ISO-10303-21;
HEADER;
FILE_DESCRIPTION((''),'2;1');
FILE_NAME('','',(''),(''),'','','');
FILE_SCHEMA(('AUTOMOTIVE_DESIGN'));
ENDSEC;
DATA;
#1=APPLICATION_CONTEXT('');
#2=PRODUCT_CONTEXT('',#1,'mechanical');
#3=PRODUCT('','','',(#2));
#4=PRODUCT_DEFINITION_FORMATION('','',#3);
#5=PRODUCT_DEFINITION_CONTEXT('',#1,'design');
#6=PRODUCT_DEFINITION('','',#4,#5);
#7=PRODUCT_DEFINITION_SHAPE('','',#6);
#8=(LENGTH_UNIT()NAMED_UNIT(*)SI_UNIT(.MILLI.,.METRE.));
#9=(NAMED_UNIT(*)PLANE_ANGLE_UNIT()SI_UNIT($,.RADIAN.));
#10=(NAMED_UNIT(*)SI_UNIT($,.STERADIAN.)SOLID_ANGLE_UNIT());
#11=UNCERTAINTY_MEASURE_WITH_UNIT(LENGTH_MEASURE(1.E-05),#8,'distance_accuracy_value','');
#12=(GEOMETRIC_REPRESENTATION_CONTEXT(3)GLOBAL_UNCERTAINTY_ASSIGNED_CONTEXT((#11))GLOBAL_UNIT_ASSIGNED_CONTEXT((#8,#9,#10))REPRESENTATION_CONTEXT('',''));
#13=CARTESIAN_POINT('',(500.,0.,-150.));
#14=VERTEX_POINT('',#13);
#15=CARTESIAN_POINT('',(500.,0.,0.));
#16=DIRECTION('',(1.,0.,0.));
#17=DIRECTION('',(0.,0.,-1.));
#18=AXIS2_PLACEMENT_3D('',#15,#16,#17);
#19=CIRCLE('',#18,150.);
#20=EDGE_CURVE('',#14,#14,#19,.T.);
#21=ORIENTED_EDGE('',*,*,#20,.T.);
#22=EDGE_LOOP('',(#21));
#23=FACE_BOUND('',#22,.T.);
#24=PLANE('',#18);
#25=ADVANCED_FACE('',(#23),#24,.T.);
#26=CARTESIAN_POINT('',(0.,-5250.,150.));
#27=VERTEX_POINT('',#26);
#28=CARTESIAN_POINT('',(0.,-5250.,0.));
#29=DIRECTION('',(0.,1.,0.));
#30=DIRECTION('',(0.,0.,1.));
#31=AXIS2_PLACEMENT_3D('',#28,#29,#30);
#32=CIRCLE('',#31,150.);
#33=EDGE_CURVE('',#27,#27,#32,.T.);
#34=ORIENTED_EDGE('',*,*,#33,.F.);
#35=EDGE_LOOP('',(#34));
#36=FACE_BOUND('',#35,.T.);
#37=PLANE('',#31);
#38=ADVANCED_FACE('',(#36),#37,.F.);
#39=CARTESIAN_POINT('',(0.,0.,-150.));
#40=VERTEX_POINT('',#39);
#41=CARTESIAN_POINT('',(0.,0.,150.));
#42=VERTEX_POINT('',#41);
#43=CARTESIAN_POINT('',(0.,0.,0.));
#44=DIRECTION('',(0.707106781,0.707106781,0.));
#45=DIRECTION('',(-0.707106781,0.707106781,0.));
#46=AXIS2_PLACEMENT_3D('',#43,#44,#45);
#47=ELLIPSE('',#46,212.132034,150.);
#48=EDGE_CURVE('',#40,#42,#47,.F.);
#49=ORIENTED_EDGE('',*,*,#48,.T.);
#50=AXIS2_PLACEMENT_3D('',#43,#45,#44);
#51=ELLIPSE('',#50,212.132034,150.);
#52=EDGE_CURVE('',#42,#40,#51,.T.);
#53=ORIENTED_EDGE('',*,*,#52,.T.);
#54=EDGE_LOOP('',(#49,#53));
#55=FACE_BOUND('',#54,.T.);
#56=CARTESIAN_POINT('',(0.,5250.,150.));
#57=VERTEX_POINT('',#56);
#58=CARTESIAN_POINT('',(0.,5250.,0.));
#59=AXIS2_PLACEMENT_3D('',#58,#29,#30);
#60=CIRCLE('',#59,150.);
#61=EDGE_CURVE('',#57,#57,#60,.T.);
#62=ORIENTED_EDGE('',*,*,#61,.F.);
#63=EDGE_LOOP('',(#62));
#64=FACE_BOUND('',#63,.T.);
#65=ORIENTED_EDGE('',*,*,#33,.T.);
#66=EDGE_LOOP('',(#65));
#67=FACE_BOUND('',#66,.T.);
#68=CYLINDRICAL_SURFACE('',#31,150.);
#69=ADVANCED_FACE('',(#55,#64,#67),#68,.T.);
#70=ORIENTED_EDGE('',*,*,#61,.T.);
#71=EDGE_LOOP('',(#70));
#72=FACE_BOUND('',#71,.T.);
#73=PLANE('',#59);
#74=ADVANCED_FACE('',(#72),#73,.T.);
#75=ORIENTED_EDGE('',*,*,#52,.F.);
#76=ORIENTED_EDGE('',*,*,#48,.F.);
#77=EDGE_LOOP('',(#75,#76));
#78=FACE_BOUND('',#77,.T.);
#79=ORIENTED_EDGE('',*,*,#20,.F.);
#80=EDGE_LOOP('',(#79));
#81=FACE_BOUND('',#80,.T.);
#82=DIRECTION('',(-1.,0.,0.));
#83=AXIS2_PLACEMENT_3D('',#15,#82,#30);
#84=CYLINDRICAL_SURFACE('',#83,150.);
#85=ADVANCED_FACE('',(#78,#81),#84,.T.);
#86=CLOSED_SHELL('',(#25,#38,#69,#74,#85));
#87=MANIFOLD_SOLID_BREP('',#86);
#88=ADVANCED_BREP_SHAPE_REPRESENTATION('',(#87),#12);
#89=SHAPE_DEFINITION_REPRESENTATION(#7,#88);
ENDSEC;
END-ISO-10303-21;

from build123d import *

# Parameters (mm, degrees)
BOSS_EXTRUDE1_DEPTH      = 5250
BOSS_EXTRUDE1_DEPTH_BACK = 5250
SKETCH8_R                = 149.999999974
SKETCH9_R                = 149.999999974
BOSS_EXTRUDE2_DEPTH      = 499.999999998


with BuildPart() as part:
    # Sketch8 → Boss-Extrude1 (new, two sides: drawn at the far end of the back side and taken through both)
    with BuildSketch(Plane(origin=(0, 0, 0), x_dir=(1, 0, 0), z_dir=(0, 1, 0)).offset(-BOSS_EXTRUDE1_DEPTH_BACK)):
        Circle(SKETCH8_R)
    extrude(amount=BOSS_EXTRUDE1_DEPTH + BOSS_EXTRUDE1_DEPTH_BACK)

    # Sketch9 → Boss-Extrude2 (add)
    with BuildSketch(Plane(origin=(0, 0, 0), x_dir=(0, 0, -1), z_dir=(1, 0, 0))):
        Circle(SKETCH9_R)
    extrude(amount=BOSS_EXTRUDE2_DEPTH)


solid = part.part
